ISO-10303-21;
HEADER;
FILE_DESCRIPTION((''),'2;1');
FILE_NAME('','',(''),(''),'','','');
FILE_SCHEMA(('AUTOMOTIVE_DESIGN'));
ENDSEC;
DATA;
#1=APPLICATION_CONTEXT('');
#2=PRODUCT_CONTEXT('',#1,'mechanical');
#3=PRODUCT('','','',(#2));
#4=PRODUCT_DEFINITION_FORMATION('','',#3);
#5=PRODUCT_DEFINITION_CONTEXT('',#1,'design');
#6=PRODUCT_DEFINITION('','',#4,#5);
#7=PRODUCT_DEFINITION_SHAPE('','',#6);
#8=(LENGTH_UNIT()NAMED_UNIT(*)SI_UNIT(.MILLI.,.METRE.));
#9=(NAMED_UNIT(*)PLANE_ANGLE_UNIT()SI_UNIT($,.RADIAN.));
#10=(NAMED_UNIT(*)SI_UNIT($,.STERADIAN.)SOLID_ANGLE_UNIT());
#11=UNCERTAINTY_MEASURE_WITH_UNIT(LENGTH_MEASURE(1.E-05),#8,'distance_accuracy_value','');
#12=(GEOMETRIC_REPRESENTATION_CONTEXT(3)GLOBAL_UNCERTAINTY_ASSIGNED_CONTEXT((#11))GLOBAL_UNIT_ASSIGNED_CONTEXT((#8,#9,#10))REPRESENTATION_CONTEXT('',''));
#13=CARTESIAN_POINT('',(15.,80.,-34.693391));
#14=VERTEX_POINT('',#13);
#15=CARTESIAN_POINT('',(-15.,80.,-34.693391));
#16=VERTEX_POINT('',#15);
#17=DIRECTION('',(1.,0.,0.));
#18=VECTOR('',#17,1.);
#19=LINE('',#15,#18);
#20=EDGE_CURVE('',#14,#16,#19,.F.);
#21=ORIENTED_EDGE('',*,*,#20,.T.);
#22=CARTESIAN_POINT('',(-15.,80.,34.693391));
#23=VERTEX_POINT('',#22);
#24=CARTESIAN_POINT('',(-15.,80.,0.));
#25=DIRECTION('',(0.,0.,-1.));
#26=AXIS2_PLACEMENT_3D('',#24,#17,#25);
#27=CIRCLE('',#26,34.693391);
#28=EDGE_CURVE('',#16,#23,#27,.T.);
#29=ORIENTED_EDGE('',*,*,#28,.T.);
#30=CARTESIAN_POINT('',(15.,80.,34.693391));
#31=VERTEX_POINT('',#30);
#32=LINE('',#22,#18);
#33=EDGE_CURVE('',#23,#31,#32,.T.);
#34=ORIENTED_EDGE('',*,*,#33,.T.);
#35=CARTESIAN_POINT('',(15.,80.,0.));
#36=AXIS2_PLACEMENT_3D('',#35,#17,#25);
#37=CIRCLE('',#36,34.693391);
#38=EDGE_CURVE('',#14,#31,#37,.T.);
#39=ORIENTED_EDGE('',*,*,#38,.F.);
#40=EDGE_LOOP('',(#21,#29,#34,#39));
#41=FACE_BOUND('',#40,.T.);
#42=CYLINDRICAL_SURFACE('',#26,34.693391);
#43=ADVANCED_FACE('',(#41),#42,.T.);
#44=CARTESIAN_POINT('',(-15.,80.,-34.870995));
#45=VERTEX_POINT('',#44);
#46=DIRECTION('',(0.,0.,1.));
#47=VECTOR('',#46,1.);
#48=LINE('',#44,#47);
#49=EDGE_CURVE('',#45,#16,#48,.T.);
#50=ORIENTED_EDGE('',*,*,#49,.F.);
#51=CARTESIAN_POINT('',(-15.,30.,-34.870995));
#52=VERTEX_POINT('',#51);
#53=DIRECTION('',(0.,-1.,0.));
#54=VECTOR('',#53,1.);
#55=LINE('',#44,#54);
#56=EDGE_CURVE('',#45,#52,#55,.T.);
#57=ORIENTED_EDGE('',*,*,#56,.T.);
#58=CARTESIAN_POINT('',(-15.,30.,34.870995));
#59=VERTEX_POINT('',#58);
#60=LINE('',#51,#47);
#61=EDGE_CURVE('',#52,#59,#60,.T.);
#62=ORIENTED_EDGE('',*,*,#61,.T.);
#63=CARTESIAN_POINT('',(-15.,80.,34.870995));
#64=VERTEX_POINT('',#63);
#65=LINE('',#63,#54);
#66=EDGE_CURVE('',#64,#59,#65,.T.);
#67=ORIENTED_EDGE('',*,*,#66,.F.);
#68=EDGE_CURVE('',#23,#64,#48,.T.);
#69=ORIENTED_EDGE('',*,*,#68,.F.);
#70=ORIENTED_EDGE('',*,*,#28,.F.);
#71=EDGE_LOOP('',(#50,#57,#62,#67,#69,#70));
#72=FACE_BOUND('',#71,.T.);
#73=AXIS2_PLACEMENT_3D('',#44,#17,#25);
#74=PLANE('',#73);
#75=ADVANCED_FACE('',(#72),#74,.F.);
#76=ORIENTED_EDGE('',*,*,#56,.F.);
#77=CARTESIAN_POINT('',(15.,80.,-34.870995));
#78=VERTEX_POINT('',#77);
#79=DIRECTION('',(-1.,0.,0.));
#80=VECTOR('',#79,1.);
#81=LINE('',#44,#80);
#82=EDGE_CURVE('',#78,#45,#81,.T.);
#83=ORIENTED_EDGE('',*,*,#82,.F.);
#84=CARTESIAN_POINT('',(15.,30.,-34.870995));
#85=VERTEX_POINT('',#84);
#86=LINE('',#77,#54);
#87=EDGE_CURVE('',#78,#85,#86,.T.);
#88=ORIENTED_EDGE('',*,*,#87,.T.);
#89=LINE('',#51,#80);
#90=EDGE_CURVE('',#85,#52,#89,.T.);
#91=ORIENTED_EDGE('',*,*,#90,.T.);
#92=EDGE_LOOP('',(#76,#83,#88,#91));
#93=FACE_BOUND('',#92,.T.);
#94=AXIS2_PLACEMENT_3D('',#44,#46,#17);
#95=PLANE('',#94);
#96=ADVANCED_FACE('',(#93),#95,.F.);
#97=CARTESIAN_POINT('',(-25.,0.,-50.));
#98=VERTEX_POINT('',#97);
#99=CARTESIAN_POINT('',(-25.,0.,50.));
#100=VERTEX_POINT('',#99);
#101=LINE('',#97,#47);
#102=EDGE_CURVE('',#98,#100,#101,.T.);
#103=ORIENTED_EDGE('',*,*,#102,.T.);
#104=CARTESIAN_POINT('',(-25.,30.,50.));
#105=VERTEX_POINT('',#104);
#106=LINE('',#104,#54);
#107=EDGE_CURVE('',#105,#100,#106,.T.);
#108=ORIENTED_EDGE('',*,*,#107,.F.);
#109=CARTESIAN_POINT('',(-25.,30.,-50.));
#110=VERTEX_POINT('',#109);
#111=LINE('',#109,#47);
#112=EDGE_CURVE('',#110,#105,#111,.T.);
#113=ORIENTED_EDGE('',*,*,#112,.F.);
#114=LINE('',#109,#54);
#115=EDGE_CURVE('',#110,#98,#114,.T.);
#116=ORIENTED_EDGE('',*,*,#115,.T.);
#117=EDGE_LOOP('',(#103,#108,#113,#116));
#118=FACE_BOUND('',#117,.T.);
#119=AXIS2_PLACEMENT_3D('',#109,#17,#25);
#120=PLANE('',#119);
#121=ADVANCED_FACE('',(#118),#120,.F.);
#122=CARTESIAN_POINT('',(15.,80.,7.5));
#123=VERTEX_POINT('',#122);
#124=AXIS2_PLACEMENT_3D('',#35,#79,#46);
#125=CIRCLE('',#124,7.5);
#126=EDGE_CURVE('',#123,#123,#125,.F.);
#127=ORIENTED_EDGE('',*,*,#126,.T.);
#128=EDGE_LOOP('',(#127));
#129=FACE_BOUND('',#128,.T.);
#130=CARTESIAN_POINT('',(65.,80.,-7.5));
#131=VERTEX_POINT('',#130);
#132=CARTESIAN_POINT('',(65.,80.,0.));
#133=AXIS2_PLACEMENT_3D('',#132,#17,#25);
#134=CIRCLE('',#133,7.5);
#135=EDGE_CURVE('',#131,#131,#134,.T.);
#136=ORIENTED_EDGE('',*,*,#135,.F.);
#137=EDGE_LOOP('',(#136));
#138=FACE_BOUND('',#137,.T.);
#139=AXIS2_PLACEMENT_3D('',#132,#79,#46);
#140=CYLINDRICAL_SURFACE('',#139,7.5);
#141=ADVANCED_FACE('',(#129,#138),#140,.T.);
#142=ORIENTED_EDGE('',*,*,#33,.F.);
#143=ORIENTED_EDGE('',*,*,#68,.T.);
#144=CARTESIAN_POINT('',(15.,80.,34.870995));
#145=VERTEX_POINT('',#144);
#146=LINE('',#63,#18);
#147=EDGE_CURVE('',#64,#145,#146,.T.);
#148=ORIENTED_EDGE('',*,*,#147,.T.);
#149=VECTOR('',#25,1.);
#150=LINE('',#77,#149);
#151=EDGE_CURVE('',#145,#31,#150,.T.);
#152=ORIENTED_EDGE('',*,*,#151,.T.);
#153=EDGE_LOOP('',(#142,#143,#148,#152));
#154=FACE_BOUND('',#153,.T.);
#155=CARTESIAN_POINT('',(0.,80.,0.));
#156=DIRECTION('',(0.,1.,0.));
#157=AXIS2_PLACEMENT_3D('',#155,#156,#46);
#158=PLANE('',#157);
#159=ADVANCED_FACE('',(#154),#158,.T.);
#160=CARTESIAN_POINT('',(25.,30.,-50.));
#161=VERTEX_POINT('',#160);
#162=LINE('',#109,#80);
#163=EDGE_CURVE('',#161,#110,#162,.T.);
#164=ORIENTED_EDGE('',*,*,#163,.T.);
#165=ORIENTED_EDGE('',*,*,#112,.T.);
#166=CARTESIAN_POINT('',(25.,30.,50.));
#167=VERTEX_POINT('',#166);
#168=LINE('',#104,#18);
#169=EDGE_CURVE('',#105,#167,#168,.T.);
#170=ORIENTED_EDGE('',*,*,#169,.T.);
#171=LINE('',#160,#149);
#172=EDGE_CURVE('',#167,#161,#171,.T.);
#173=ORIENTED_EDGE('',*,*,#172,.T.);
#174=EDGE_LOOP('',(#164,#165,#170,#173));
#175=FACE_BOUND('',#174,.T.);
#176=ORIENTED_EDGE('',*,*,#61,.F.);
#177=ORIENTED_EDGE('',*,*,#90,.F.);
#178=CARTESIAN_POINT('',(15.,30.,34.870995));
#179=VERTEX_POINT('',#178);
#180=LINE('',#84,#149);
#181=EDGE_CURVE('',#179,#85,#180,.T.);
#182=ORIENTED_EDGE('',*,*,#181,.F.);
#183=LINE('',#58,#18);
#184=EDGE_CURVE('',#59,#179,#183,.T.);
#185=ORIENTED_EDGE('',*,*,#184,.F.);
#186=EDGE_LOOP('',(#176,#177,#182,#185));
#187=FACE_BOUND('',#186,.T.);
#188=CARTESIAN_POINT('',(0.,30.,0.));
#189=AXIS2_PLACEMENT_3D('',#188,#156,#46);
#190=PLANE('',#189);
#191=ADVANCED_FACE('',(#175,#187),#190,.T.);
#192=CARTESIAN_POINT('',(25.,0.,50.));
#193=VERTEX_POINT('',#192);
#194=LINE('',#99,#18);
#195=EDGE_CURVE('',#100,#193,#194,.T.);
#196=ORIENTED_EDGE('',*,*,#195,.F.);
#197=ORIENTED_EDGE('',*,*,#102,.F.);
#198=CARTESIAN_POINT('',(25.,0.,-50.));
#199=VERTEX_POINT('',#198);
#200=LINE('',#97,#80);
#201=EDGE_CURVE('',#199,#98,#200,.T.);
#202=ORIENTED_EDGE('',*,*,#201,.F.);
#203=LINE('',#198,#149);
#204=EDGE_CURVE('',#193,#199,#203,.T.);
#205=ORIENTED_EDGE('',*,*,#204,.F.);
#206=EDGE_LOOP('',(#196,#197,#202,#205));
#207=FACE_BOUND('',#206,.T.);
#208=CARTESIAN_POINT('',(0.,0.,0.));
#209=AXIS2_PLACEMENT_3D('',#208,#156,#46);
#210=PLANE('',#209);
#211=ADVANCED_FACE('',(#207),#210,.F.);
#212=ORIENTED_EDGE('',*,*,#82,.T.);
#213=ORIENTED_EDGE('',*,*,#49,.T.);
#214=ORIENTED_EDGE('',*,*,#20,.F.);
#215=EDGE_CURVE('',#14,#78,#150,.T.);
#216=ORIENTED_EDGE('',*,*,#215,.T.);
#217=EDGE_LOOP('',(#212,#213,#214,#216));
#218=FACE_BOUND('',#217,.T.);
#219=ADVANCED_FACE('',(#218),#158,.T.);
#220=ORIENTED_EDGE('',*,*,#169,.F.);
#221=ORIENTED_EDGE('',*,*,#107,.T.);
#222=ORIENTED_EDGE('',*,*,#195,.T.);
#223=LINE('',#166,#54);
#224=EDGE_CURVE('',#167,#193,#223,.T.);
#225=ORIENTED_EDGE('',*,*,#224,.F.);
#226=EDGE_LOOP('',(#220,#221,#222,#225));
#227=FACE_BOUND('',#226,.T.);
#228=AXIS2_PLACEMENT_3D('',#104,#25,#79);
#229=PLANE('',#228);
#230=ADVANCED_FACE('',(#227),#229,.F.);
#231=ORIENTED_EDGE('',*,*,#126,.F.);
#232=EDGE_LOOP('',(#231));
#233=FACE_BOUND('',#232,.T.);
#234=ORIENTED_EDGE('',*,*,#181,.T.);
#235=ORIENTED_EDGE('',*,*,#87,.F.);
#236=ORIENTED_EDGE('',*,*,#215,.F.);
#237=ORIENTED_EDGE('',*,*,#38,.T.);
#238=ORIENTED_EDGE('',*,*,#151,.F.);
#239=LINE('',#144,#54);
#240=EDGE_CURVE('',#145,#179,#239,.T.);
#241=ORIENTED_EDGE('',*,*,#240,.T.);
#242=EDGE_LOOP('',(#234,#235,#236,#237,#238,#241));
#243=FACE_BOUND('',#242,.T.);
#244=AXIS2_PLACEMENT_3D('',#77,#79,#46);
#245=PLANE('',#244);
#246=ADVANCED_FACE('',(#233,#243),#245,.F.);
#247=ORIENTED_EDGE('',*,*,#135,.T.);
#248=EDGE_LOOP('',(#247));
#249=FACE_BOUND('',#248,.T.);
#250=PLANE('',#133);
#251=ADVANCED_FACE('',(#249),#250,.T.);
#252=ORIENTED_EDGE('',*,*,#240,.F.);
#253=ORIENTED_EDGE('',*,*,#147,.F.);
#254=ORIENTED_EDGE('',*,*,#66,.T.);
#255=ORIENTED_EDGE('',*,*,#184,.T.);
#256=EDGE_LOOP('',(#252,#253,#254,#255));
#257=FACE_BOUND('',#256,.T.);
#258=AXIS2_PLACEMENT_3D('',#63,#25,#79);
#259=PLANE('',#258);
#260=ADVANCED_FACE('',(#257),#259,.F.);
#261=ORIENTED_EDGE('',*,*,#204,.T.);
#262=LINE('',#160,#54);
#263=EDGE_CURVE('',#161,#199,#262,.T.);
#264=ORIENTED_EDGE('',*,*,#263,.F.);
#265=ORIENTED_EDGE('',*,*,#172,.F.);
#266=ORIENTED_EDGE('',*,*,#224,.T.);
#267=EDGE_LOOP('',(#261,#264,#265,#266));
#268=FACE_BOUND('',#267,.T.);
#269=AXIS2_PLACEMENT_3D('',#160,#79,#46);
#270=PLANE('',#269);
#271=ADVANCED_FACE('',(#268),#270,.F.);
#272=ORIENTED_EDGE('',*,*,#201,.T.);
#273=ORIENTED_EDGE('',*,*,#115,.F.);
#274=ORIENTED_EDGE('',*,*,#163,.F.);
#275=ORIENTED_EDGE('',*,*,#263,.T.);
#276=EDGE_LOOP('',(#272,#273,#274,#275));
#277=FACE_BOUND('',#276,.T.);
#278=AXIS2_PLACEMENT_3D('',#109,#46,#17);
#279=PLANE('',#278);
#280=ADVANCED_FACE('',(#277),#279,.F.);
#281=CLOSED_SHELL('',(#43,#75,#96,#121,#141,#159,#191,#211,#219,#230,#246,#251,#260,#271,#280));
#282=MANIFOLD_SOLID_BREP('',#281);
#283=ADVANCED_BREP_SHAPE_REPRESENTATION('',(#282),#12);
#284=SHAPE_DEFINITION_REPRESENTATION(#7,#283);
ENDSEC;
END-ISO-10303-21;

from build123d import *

# Parameters (mm, degrees)
SKETCH1_W           = 50
SKETCH1_H           = 100
BOSS_EXTRUDE1_DEPTH = 30
SKETCH3_W           = 30
SKETCH3_H           = 69.741989622
BOSS_EXTRUDE2_DEPTH = 50
SKETCH4_R           = 34.693390841
BOSS_EXTRUDE3_DEPTH = 30
SKETCH6_R           = 7.5
BOSS_EXTRUDE4_DEPTH = 50


with BuildPart() as part:
    # Sketch1 → Boss-Extrude1 (new body)
    with BuildSketch(Plane(origin=(0, 0, 0), x_dir=(1, 0, 0), z_dir=(0, 1, 0))):
        Rectangle(SKETCH1_W, SKETCH1_H)
    extrude(amount=BOSS_EXTRUDE1_DEPTH)

    # Sketch3 → Boss-Extrude2 (add)
    with BuildSketch(Plane(origin=(0, 30, 0), x_dir=(1, 0, 0), z_dir=(0, 1, 0))):
        Rectangle(SKETCH3_W, SKETCH3_H)
    extrude(amount=BOSS_EXTRUDE2_DEPTH)

    # Sketch4 → Boss-Extrude3 (add)
    with BuildSketch(Plane(origin=(15, 0, 0), x_dir=(0, 0, -1), z_dir=(1, 0, 0))):
        with Locations((0, 80)):
            Circle(SKETCH4_R)
    extrude(amount=-BOSS_EXTRUDE3_DEPTH)

    # Sketch6 → Boss-Extrude4 (add)
    with BuildSketch(Plane(origin=(15, 0, 0), x_dir=(0, 0, -1), z_dir=(1, 0, 0))):
        with Locations(Location((0, 80, 0), (0, 0, 180))):
            Circle(SKETCH6_R)
    extrude(amount=BOSS_EXTRUDE4_DEPTH)


solid = part.part
